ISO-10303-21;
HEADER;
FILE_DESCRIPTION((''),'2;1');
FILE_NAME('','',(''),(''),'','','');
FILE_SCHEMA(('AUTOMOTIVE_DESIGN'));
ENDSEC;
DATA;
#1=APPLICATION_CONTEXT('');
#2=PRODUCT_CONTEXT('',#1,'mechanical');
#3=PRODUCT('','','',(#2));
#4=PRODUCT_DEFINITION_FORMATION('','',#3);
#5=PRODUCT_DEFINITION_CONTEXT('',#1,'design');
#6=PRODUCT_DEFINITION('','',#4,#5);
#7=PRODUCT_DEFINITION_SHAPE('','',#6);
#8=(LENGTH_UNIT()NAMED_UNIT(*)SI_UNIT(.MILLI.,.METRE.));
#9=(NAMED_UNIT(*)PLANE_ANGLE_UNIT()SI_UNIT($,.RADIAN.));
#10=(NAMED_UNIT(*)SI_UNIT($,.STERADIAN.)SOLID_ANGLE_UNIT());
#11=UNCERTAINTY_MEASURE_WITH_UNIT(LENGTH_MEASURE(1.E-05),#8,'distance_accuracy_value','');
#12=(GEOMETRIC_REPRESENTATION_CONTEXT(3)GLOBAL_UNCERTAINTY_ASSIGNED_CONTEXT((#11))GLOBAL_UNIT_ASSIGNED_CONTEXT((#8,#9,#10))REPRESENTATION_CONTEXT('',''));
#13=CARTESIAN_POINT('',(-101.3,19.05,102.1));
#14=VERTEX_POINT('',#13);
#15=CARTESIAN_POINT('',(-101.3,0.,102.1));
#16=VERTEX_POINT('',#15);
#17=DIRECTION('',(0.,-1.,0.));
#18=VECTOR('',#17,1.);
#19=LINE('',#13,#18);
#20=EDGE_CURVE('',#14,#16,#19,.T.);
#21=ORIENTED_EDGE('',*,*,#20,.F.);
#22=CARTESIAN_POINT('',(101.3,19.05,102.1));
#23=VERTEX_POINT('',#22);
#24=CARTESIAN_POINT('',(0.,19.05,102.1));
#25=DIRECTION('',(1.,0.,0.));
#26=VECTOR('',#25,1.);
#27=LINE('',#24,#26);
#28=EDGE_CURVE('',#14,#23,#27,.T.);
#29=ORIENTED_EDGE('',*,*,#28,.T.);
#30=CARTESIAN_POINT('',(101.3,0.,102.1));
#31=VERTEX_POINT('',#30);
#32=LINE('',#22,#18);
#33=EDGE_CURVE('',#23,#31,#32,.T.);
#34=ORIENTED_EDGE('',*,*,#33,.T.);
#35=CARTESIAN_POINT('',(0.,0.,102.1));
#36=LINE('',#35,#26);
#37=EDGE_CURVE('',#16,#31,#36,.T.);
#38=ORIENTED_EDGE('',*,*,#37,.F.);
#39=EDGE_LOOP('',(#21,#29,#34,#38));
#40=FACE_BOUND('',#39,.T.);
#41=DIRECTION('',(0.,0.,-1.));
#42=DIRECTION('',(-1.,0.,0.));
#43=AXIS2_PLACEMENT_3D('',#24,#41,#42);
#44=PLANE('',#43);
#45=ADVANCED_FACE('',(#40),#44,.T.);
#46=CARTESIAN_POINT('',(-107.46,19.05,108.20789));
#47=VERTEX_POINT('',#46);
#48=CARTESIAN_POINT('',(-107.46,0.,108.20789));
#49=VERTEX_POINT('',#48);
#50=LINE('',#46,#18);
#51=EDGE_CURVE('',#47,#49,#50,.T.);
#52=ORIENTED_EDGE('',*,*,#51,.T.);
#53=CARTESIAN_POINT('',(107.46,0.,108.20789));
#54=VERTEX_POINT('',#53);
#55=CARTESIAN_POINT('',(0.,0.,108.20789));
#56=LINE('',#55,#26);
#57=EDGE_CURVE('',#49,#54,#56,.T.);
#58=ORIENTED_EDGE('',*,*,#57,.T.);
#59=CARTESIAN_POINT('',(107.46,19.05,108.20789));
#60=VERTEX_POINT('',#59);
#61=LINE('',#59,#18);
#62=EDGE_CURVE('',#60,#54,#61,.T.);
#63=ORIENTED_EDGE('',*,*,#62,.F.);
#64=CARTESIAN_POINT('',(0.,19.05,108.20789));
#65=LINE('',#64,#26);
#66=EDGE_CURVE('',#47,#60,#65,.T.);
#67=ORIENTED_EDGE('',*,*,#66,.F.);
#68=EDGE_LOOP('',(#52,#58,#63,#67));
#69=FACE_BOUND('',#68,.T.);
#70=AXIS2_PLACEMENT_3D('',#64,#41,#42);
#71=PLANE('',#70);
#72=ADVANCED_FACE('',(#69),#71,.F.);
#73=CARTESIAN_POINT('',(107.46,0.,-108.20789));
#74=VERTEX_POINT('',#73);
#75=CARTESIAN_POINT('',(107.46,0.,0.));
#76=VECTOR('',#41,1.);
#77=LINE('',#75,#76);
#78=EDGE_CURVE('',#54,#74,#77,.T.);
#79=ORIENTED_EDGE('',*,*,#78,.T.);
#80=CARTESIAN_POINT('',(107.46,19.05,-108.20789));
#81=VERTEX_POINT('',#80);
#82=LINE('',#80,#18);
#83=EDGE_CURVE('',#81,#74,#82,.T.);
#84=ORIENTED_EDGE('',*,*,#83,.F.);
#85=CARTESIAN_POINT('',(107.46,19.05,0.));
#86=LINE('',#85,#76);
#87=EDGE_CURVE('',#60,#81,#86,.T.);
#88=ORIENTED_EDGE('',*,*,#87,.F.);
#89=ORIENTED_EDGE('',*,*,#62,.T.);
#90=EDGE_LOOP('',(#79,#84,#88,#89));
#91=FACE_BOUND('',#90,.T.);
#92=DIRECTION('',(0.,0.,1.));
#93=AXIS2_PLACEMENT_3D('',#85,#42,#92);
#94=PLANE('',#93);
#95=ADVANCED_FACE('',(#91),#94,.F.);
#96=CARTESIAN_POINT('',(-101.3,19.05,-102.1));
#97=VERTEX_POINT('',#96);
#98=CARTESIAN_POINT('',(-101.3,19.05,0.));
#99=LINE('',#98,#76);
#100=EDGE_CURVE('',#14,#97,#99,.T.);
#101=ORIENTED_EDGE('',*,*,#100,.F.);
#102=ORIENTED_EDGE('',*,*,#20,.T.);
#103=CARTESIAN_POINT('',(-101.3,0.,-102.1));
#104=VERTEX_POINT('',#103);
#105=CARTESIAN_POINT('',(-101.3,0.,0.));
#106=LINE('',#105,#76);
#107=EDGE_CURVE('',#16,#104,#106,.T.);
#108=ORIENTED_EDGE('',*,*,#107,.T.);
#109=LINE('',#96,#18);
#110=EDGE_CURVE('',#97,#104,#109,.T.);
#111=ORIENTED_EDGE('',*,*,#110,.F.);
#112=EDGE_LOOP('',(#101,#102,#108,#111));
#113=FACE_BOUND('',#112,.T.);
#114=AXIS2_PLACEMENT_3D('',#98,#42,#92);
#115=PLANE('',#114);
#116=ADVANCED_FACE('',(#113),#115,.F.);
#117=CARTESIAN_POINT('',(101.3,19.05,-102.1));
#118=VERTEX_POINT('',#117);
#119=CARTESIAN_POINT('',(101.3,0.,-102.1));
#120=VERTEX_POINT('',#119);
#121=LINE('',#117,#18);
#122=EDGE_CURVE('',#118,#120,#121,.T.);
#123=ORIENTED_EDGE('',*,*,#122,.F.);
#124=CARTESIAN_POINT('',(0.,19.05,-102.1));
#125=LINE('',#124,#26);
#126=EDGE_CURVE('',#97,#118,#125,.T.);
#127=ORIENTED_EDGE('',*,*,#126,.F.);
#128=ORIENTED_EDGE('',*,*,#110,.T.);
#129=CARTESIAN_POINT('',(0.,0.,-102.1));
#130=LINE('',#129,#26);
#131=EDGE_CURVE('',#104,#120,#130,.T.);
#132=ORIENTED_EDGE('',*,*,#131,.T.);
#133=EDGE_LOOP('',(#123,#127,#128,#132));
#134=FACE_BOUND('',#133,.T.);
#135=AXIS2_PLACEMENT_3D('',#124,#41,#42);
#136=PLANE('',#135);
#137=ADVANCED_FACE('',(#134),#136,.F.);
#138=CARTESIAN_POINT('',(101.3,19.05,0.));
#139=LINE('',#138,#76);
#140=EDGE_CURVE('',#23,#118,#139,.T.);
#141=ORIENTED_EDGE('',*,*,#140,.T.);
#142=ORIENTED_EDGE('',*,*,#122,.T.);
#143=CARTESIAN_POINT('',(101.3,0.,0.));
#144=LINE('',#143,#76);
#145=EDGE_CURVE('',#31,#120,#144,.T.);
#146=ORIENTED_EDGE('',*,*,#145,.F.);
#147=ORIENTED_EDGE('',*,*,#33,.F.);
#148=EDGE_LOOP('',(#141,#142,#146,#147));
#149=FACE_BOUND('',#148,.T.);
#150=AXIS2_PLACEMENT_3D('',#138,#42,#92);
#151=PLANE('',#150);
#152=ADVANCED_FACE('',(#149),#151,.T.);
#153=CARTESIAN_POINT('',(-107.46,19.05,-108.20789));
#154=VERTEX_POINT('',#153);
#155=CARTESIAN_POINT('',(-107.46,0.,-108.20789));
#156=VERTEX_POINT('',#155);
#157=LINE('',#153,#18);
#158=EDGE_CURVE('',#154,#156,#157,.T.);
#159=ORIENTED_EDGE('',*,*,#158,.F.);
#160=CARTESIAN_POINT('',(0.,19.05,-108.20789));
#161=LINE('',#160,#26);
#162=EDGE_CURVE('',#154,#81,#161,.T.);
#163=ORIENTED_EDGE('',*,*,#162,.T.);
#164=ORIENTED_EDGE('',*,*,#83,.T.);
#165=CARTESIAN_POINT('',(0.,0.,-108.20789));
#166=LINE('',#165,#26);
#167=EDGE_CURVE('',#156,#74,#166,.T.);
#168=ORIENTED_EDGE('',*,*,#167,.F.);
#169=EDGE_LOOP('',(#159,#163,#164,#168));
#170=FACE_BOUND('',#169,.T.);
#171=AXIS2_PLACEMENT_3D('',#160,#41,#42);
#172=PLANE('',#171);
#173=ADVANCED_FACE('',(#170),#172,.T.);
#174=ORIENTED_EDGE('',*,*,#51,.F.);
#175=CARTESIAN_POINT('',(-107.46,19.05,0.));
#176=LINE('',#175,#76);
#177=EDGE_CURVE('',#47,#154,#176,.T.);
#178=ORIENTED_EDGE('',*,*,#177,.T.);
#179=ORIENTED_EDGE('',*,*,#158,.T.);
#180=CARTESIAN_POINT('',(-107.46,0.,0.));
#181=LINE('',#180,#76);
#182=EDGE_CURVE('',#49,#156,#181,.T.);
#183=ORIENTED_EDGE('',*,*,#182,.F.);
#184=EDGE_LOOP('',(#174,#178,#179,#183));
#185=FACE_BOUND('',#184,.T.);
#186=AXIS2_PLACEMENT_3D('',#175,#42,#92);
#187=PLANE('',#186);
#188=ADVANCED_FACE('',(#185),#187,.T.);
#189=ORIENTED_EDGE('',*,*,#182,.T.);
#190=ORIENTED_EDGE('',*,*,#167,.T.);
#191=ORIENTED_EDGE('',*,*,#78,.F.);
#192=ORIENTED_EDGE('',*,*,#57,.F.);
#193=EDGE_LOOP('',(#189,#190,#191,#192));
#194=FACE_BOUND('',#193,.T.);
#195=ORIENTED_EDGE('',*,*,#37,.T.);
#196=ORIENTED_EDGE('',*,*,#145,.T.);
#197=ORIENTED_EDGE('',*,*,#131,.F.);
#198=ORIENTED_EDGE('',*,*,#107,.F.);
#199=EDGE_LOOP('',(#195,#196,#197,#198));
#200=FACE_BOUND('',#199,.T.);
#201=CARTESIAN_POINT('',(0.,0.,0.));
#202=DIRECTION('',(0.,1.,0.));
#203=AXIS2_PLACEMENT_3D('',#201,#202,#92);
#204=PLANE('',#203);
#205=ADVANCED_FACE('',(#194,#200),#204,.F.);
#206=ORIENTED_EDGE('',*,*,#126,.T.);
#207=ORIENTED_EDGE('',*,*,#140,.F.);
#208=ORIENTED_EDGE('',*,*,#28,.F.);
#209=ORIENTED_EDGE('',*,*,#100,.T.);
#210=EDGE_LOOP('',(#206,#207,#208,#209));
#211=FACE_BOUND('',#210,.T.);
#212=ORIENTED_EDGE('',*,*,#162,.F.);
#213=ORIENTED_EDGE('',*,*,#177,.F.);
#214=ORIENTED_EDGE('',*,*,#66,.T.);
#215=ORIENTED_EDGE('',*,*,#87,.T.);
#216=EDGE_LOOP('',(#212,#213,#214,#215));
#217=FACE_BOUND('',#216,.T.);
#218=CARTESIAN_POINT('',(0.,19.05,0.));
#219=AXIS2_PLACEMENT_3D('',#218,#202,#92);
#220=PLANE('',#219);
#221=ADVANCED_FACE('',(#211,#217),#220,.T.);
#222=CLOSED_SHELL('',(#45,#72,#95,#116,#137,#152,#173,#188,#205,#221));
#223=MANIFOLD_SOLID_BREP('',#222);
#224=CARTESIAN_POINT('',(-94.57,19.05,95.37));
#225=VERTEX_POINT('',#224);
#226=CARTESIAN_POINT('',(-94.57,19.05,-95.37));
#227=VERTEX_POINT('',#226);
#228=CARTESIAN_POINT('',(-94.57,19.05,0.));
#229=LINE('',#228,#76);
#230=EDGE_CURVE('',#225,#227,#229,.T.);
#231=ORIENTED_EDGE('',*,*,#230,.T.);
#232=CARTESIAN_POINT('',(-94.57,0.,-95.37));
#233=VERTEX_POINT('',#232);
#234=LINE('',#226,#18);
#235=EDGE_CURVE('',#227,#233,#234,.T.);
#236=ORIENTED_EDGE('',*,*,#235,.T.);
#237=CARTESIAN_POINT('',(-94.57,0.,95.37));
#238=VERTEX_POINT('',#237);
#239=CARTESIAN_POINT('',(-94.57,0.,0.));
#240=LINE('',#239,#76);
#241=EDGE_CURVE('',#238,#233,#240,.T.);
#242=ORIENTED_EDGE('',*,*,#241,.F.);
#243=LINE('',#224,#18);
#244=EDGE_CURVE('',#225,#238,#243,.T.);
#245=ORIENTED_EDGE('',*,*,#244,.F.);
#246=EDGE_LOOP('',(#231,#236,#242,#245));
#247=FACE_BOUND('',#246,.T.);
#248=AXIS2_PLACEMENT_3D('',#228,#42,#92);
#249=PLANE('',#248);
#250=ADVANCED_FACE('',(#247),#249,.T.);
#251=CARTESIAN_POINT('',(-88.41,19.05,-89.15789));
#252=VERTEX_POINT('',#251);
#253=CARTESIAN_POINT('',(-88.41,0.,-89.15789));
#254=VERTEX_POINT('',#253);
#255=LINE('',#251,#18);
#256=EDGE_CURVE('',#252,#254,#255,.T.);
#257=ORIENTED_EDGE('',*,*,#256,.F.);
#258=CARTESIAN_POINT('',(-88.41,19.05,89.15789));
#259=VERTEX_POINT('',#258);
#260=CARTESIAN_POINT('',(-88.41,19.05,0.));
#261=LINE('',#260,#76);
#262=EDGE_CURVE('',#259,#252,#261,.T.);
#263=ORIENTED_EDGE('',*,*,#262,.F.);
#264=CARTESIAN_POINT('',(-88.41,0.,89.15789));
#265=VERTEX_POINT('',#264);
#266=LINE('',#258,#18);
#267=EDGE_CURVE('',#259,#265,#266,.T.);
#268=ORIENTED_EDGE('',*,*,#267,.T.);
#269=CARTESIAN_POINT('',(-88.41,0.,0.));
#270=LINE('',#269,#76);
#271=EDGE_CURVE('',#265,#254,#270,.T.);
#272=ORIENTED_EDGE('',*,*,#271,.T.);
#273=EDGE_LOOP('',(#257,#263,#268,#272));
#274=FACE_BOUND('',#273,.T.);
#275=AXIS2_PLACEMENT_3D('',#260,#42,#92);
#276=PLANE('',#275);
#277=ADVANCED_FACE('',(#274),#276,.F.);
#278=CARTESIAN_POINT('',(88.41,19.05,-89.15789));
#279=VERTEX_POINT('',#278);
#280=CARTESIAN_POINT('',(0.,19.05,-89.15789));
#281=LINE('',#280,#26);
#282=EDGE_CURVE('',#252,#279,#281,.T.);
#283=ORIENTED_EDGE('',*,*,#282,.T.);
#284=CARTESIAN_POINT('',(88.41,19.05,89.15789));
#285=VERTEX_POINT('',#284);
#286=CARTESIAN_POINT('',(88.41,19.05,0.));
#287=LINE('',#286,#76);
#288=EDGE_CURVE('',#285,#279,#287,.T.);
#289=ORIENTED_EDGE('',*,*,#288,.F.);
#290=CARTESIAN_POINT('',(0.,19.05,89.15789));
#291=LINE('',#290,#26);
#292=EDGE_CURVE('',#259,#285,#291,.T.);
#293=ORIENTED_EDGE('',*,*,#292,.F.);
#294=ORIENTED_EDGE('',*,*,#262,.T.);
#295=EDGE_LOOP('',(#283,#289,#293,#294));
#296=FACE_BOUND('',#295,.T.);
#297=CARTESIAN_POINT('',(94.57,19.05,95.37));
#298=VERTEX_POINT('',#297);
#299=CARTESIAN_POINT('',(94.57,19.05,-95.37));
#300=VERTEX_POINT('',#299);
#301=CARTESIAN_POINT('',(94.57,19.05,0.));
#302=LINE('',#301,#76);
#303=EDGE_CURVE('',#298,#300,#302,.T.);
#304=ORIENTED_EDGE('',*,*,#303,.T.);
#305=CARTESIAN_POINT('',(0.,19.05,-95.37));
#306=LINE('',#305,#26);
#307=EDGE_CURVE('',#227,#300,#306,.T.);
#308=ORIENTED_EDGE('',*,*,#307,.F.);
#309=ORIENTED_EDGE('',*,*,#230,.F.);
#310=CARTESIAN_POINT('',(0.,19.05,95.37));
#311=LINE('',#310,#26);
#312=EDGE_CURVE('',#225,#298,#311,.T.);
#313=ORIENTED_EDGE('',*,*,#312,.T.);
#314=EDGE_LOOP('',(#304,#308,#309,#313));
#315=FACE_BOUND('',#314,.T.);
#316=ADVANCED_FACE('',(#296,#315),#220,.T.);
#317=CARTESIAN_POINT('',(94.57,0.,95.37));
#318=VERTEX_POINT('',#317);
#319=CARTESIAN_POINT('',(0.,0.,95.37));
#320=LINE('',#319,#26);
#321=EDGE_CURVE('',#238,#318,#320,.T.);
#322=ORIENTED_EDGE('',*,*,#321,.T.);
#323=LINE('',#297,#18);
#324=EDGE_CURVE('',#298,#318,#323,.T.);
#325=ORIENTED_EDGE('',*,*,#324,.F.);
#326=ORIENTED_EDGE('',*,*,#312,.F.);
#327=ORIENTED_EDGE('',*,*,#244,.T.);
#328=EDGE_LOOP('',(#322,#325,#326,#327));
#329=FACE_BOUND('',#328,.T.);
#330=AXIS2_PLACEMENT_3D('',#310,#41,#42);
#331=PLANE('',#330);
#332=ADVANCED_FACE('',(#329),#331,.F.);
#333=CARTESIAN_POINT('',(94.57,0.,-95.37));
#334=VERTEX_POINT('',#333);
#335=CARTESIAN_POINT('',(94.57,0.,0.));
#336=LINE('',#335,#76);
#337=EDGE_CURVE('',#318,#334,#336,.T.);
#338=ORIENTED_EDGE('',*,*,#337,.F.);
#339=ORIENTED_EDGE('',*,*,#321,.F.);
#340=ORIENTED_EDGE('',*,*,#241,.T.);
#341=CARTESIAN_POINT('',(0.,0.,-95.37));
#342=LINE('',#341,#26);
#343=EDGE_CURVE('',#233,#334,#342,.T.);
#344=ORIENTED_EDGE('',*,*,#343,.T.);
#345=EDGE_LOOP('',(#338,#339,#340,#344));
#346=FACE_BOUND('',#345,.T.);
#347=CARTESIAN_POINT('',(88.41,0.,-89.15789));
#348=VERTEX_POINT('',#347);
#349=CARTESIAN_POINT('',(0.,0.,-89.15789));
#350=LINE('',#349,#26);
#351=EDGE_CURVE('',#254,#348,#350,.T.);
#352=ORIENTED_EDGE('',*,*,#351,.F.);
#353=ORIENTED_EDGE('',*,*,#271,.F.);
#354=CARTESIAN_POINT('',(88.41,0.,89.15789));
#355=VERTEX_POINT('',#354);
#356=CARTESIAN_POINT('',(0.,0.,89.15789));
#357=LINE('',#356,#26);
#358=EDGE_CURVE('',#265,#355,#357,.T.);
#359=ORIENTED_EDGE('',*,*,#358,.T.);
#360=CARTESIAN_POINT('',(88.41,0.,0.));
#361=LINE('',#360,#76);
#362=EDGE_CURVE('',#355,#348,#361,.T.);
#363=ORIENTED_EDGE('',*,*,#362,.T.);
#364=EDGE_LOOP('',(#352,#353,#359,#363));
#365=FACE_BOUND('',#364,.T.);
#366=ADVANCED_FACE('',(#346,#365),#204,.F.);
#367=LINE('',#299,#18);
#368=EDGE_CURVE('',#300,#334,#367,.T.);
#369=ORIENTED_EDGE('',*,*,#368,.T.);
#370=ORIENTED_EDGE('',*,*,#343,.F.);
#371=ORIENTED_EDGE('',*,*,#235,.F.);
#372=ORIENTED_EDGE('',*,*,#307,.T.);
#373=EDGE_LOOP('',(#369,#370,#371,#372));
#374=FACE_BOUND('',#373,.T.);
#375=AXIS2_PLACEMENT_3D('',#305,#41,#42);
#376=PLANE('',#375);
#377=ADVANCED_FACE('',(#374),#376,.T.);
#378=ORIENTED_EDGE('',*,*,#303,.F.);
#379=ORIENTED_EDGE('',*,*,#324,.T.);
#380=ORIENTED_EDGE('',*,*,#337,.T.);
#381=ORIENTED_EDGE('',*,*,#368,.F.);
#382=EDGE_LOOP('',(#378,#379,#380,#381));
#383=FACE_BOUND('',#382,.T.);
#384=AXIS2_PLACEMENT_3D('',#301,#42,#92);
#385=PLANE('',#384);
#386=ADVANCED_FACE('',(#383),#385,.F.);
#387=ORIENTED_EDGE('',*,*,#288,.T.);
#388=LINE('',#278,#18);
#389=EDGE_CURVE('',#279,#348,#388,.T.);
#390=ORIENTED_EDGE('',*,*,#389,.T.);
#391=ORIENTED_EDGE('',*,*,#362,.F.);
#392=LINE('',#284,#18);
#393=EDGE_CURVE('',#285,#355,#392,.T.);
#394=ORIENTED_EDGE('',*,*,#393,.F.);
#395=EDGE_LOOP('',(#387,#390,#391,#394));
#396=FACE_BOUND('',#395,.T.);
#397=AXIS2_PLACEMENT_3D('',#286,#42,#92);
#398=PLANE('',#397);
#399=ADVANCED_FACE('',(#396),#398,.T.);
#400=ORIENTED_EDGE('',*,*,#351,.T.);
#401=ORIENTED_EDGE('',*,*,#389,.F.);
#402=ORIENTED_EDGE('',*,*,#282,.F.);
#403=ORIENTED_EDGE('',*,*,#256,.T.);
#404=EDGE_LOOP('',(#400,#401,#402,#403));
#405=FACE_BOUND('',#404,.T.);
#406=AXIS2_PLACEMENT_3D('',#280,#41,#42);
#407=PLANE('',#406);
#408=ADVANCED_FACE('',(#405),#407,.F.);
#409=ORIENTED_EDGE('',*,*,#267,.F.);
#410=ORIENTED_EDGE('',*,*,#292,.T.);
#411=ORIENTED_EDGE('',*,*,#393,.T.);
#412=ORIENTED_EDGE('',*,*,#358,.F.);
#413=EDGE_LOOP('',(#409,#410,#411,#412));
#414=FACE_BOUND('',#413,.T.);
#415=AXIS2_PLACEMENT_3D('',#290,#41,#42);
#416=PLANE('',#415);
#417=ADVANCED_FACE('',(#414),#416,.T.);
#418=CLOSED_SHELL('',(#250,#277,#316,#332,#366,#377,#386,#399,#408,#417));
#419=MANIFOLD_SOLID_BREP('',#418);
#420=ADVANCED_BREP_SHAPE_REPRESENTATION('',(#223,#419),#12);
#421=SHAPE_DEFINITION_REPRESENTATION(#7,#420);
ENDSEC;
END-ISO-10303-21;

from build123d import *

# Parameters (mm, degrees)
SKETCH1_W             = 189.14
SKETCH1_H             = 190.74
SKETCH1_W_2           = 176.82
SKETCH1_H_2           = 178.315780904
BOSS_EXTRUDE2_DEPTH   = 19.05
SKETCH1_W_3           = 214.92
SKETCH1_H_3           = 216.415780904
SKETCH1_W_4           = 202.6
SKETCH1_H_4           = 204.2
BOSS_EXTRUDE2_2_DEPTH = 19.05


with BuildPart() as part:
    # Sketch1 → Boss-Extrude2 (new body)
    with BuildSketch(Plane(origin=(0, 0, 0), x_dir=(1, 0, 0), z_dir=(0, 1, 0))):
        Rectangle(SKETCH1_W, SKETCH1_H)
        Rectangle(SKETCH1_W_2, SKETCH1_H_2, mode=Mode.SUBTRACT)
    extrude(amount=BOSS_EXTRUDE2_DEPTH)


with BuildPart() as body_2:
    # Sketch1 → Boss-Extrude2 2 (new body)
    with BuildSketch(Plane(origin=(0, 0, 0), x_dir=(1, 0, 0), z_dir=(0, 1, 0))):
        Rectangle(SKETCH1_W_3, SKETCH1_H_3)
        Rectangle(SKETCH1_W_4, SKETCH1_H_4, mode=Mode.SUBTRACT)
    extrude(amount=BOSS_EXTRUDE2_2_DEPTH)


solid = Compound([part.part, body_2.part])
